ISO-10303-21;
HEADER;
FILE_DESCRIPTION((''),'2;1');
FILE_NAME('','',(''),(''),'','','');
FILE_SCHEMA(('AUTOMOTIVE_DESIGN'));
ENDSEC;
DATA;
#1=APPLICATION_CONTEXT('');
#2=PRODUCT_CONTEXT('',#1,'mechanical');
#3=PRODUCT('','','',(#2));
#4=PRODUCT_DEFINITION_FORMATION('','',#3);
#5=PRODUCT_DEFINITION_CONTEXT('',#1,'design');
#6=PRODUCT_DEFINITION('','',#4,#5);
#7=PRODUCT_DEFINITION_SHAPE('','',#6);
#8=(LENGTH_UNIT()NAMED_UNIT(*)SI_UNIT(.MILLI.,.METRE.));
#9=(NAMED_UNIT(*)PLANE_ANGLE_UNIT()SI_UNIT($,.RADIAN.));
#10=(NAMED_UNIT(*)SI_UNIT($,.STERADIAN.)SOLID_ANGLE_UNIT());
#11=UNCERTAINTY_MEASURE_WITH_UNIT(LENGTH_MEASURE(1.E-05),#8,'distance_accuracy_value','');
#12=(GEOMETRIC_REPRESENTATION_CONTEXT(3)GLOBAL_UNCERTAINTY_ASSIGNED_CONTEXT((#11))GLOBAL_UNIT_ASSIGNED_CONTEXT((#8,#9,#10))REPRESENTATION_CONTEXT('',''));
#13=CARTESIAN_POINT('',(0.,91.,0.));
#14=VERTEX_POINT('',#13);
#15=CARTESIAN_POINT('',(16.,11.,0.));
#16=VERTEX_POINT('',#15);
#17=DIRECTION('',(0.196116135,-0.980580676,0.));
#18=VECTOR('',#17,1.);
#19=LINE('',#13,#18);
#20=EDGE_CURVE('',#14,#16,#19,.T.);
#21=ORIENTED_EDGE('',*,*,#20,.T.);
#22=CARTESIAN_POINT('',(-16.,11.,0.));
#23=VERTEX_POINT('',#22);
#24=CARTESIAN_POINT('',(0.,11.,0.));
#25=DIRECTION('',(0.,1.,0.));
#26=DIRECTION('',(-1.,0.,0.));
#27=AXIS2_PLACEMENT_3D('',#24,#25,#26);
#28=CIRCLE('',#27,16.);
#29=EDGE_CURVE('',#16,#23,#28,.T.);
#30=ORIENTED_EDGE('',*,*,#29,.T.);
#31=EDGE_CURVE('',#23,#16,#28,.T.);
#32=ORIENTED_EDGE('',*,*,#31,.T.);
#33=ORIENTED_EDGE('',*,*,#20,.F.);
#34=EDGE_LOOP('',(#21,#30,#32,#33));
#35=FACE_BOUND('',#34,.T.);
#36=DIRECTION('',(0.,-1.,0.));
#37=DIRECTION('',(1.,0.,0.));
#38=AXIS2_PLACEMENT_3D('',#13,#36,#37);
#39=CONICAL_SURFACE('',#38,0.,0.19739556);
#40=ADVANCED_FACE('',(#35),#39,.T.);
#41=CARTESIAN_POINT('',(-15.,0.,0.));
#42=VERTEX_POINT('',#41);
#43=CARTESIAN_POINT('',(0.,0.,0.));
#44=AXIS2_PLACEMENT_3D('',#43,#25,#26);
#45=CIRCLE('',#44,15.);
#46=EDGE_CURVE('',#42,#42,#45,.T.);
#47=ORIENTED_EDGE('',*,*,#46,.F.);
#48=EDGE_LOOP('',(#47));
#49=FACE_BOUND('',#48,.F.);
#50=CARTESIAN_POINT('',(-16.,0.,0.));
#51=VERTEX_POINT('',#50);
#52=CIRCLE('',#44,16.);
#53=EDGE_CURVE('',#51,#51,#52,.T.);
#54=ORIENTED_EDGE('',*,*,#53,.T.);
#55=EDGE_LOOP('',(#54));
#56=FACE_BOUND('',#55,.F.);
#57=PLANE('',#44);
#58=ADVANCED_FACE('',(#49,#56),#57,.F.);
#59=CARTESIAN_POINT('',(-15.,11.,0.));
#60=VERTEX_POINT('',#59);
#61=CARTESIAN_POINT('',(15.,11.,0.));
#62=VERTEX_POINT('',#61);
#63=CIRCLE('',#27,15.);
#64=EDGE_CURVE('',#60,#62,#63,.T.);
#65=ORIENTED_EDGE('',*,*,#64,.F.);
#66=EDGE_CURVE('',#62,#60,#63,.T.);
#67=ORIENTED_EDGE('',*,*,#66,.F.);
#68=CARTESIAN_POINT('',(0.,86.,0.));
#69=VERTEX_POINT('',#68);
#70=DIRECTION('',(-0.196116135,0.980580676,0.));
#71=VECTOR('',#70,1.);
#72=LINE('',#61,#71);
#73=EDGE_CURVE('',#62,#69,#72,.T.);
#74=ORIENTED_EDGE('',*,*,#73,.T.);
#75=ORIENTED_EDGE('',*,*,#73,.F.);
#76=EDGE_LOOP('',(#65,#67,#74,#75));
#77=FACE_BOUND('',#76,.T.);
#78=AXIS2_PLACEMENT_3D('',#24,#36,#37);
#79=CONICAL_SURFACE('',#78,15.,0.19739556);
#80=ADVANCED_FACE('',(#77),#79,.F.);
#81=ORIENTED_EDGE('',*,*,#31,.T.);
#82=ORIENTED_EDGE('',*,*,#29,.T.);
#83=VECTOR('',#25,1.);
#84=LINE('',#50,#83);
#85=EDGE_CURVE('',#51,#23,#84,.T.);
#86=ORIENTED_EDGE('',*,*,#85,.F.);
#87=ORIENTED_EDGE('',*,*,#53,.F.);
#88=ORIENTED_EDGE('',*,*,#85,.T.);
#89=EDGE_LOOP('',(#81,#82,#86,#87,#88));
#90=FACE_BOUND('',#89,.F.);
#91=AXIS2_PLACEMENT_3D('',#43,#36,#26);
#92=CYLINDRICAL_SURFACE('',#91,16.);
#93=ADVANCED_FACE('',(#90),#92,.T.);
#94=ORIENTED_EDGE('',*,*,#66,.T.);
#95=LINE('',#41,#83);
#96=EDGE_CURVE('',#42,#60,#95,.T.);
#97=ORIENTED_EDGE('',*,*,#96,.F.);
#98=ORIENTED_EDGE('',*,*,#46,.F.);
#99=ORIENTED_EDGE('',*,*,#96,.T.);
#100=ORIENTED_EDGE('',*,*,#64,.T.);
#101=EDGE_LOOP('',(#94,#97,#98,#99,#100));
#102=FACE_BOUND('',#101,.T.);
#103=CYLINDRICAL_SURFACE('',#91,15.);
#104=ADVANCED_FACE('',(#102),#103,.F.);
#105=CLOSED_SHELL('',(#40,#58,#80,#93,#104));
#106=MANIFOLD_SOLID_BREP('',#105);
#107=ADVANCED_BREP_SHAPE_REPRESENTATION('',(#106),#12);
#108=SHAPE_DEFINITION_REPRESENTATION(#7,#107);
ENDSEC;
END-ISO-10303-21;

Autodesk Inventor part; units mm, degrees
sketch "Эскиз1" plane through (0, 0, 0) normal (0, 1, 0) x (-1, 0, 0)
  circle A0 centre (0, 0) radius 15
  circle A1 centre (0, 0) radius 16
  dimension "d0" = 30
  dimension "d1" = 32
extrude "Выдавливание1" add sketch "Эскиз1" along normal blind 11
ref_plane "РабПлоскость1" through (0, 91, 0) normal (0, 1, 0) x (1, 0, 0)
sketch "Эскиз3" plane through (0, 91, 0) normal (0, 1, 0) x (1, 0, 0)
  point P0 (0, 0)
  point P1 (0, 0)
  point P2 (0, 0)
sketch "Эскиз4" plane through (0, 11, 0) normal (0, 1, 0) x (1, 0, 0)
  circle A0 centre (0, 0) radius 16 projected
sketch "Эскиз6" plane through (0, 0, 0) normal (0, 0, 1) x (1, 0, 0)
  line L0 (0, 91) -> (16, 11)
  line L1 (0, 111.2721) -> (0, 58.6292)
  line L2 (16, 11) -> (0, 11)
  line L3 (16, 11) -> (-16, 11) projected
  line L4 (0, 91) -> (0, 11)
  point P0 (0, 0)
  dimension "d10" = 16
  dimension "d11" = 3.9757
  dimension "d12" = 6.3484
revolve "Вращение1" add sketch "Эскиз6" angle 360 about axis through (0, 111.2721, 0) along (0, -1, 0)
sketch "Эскиз7" plane through (0, 0, 0) normal (0, 0, 1) x (1, 0, 0)
  line L0 (15, 11) -> (0, 86)
  line L1 (0, 91) -> (16, 11) projected
  line L2 (0, 109.2) -> (0, -18.2) projected
  line L3 (0, 86) -> (0, 11)
  line L4 (-15, 11) -> (15, 11) projected
  line L5 (0, 11) -> (15, 11)
  point P0 (0, 0)
revolve "Вращение2" cut sketch "Эскиз7" angle 360 about axis through (0, 86, 0) along (0, -1, 0)
properties part number "Головной обтекатель"
